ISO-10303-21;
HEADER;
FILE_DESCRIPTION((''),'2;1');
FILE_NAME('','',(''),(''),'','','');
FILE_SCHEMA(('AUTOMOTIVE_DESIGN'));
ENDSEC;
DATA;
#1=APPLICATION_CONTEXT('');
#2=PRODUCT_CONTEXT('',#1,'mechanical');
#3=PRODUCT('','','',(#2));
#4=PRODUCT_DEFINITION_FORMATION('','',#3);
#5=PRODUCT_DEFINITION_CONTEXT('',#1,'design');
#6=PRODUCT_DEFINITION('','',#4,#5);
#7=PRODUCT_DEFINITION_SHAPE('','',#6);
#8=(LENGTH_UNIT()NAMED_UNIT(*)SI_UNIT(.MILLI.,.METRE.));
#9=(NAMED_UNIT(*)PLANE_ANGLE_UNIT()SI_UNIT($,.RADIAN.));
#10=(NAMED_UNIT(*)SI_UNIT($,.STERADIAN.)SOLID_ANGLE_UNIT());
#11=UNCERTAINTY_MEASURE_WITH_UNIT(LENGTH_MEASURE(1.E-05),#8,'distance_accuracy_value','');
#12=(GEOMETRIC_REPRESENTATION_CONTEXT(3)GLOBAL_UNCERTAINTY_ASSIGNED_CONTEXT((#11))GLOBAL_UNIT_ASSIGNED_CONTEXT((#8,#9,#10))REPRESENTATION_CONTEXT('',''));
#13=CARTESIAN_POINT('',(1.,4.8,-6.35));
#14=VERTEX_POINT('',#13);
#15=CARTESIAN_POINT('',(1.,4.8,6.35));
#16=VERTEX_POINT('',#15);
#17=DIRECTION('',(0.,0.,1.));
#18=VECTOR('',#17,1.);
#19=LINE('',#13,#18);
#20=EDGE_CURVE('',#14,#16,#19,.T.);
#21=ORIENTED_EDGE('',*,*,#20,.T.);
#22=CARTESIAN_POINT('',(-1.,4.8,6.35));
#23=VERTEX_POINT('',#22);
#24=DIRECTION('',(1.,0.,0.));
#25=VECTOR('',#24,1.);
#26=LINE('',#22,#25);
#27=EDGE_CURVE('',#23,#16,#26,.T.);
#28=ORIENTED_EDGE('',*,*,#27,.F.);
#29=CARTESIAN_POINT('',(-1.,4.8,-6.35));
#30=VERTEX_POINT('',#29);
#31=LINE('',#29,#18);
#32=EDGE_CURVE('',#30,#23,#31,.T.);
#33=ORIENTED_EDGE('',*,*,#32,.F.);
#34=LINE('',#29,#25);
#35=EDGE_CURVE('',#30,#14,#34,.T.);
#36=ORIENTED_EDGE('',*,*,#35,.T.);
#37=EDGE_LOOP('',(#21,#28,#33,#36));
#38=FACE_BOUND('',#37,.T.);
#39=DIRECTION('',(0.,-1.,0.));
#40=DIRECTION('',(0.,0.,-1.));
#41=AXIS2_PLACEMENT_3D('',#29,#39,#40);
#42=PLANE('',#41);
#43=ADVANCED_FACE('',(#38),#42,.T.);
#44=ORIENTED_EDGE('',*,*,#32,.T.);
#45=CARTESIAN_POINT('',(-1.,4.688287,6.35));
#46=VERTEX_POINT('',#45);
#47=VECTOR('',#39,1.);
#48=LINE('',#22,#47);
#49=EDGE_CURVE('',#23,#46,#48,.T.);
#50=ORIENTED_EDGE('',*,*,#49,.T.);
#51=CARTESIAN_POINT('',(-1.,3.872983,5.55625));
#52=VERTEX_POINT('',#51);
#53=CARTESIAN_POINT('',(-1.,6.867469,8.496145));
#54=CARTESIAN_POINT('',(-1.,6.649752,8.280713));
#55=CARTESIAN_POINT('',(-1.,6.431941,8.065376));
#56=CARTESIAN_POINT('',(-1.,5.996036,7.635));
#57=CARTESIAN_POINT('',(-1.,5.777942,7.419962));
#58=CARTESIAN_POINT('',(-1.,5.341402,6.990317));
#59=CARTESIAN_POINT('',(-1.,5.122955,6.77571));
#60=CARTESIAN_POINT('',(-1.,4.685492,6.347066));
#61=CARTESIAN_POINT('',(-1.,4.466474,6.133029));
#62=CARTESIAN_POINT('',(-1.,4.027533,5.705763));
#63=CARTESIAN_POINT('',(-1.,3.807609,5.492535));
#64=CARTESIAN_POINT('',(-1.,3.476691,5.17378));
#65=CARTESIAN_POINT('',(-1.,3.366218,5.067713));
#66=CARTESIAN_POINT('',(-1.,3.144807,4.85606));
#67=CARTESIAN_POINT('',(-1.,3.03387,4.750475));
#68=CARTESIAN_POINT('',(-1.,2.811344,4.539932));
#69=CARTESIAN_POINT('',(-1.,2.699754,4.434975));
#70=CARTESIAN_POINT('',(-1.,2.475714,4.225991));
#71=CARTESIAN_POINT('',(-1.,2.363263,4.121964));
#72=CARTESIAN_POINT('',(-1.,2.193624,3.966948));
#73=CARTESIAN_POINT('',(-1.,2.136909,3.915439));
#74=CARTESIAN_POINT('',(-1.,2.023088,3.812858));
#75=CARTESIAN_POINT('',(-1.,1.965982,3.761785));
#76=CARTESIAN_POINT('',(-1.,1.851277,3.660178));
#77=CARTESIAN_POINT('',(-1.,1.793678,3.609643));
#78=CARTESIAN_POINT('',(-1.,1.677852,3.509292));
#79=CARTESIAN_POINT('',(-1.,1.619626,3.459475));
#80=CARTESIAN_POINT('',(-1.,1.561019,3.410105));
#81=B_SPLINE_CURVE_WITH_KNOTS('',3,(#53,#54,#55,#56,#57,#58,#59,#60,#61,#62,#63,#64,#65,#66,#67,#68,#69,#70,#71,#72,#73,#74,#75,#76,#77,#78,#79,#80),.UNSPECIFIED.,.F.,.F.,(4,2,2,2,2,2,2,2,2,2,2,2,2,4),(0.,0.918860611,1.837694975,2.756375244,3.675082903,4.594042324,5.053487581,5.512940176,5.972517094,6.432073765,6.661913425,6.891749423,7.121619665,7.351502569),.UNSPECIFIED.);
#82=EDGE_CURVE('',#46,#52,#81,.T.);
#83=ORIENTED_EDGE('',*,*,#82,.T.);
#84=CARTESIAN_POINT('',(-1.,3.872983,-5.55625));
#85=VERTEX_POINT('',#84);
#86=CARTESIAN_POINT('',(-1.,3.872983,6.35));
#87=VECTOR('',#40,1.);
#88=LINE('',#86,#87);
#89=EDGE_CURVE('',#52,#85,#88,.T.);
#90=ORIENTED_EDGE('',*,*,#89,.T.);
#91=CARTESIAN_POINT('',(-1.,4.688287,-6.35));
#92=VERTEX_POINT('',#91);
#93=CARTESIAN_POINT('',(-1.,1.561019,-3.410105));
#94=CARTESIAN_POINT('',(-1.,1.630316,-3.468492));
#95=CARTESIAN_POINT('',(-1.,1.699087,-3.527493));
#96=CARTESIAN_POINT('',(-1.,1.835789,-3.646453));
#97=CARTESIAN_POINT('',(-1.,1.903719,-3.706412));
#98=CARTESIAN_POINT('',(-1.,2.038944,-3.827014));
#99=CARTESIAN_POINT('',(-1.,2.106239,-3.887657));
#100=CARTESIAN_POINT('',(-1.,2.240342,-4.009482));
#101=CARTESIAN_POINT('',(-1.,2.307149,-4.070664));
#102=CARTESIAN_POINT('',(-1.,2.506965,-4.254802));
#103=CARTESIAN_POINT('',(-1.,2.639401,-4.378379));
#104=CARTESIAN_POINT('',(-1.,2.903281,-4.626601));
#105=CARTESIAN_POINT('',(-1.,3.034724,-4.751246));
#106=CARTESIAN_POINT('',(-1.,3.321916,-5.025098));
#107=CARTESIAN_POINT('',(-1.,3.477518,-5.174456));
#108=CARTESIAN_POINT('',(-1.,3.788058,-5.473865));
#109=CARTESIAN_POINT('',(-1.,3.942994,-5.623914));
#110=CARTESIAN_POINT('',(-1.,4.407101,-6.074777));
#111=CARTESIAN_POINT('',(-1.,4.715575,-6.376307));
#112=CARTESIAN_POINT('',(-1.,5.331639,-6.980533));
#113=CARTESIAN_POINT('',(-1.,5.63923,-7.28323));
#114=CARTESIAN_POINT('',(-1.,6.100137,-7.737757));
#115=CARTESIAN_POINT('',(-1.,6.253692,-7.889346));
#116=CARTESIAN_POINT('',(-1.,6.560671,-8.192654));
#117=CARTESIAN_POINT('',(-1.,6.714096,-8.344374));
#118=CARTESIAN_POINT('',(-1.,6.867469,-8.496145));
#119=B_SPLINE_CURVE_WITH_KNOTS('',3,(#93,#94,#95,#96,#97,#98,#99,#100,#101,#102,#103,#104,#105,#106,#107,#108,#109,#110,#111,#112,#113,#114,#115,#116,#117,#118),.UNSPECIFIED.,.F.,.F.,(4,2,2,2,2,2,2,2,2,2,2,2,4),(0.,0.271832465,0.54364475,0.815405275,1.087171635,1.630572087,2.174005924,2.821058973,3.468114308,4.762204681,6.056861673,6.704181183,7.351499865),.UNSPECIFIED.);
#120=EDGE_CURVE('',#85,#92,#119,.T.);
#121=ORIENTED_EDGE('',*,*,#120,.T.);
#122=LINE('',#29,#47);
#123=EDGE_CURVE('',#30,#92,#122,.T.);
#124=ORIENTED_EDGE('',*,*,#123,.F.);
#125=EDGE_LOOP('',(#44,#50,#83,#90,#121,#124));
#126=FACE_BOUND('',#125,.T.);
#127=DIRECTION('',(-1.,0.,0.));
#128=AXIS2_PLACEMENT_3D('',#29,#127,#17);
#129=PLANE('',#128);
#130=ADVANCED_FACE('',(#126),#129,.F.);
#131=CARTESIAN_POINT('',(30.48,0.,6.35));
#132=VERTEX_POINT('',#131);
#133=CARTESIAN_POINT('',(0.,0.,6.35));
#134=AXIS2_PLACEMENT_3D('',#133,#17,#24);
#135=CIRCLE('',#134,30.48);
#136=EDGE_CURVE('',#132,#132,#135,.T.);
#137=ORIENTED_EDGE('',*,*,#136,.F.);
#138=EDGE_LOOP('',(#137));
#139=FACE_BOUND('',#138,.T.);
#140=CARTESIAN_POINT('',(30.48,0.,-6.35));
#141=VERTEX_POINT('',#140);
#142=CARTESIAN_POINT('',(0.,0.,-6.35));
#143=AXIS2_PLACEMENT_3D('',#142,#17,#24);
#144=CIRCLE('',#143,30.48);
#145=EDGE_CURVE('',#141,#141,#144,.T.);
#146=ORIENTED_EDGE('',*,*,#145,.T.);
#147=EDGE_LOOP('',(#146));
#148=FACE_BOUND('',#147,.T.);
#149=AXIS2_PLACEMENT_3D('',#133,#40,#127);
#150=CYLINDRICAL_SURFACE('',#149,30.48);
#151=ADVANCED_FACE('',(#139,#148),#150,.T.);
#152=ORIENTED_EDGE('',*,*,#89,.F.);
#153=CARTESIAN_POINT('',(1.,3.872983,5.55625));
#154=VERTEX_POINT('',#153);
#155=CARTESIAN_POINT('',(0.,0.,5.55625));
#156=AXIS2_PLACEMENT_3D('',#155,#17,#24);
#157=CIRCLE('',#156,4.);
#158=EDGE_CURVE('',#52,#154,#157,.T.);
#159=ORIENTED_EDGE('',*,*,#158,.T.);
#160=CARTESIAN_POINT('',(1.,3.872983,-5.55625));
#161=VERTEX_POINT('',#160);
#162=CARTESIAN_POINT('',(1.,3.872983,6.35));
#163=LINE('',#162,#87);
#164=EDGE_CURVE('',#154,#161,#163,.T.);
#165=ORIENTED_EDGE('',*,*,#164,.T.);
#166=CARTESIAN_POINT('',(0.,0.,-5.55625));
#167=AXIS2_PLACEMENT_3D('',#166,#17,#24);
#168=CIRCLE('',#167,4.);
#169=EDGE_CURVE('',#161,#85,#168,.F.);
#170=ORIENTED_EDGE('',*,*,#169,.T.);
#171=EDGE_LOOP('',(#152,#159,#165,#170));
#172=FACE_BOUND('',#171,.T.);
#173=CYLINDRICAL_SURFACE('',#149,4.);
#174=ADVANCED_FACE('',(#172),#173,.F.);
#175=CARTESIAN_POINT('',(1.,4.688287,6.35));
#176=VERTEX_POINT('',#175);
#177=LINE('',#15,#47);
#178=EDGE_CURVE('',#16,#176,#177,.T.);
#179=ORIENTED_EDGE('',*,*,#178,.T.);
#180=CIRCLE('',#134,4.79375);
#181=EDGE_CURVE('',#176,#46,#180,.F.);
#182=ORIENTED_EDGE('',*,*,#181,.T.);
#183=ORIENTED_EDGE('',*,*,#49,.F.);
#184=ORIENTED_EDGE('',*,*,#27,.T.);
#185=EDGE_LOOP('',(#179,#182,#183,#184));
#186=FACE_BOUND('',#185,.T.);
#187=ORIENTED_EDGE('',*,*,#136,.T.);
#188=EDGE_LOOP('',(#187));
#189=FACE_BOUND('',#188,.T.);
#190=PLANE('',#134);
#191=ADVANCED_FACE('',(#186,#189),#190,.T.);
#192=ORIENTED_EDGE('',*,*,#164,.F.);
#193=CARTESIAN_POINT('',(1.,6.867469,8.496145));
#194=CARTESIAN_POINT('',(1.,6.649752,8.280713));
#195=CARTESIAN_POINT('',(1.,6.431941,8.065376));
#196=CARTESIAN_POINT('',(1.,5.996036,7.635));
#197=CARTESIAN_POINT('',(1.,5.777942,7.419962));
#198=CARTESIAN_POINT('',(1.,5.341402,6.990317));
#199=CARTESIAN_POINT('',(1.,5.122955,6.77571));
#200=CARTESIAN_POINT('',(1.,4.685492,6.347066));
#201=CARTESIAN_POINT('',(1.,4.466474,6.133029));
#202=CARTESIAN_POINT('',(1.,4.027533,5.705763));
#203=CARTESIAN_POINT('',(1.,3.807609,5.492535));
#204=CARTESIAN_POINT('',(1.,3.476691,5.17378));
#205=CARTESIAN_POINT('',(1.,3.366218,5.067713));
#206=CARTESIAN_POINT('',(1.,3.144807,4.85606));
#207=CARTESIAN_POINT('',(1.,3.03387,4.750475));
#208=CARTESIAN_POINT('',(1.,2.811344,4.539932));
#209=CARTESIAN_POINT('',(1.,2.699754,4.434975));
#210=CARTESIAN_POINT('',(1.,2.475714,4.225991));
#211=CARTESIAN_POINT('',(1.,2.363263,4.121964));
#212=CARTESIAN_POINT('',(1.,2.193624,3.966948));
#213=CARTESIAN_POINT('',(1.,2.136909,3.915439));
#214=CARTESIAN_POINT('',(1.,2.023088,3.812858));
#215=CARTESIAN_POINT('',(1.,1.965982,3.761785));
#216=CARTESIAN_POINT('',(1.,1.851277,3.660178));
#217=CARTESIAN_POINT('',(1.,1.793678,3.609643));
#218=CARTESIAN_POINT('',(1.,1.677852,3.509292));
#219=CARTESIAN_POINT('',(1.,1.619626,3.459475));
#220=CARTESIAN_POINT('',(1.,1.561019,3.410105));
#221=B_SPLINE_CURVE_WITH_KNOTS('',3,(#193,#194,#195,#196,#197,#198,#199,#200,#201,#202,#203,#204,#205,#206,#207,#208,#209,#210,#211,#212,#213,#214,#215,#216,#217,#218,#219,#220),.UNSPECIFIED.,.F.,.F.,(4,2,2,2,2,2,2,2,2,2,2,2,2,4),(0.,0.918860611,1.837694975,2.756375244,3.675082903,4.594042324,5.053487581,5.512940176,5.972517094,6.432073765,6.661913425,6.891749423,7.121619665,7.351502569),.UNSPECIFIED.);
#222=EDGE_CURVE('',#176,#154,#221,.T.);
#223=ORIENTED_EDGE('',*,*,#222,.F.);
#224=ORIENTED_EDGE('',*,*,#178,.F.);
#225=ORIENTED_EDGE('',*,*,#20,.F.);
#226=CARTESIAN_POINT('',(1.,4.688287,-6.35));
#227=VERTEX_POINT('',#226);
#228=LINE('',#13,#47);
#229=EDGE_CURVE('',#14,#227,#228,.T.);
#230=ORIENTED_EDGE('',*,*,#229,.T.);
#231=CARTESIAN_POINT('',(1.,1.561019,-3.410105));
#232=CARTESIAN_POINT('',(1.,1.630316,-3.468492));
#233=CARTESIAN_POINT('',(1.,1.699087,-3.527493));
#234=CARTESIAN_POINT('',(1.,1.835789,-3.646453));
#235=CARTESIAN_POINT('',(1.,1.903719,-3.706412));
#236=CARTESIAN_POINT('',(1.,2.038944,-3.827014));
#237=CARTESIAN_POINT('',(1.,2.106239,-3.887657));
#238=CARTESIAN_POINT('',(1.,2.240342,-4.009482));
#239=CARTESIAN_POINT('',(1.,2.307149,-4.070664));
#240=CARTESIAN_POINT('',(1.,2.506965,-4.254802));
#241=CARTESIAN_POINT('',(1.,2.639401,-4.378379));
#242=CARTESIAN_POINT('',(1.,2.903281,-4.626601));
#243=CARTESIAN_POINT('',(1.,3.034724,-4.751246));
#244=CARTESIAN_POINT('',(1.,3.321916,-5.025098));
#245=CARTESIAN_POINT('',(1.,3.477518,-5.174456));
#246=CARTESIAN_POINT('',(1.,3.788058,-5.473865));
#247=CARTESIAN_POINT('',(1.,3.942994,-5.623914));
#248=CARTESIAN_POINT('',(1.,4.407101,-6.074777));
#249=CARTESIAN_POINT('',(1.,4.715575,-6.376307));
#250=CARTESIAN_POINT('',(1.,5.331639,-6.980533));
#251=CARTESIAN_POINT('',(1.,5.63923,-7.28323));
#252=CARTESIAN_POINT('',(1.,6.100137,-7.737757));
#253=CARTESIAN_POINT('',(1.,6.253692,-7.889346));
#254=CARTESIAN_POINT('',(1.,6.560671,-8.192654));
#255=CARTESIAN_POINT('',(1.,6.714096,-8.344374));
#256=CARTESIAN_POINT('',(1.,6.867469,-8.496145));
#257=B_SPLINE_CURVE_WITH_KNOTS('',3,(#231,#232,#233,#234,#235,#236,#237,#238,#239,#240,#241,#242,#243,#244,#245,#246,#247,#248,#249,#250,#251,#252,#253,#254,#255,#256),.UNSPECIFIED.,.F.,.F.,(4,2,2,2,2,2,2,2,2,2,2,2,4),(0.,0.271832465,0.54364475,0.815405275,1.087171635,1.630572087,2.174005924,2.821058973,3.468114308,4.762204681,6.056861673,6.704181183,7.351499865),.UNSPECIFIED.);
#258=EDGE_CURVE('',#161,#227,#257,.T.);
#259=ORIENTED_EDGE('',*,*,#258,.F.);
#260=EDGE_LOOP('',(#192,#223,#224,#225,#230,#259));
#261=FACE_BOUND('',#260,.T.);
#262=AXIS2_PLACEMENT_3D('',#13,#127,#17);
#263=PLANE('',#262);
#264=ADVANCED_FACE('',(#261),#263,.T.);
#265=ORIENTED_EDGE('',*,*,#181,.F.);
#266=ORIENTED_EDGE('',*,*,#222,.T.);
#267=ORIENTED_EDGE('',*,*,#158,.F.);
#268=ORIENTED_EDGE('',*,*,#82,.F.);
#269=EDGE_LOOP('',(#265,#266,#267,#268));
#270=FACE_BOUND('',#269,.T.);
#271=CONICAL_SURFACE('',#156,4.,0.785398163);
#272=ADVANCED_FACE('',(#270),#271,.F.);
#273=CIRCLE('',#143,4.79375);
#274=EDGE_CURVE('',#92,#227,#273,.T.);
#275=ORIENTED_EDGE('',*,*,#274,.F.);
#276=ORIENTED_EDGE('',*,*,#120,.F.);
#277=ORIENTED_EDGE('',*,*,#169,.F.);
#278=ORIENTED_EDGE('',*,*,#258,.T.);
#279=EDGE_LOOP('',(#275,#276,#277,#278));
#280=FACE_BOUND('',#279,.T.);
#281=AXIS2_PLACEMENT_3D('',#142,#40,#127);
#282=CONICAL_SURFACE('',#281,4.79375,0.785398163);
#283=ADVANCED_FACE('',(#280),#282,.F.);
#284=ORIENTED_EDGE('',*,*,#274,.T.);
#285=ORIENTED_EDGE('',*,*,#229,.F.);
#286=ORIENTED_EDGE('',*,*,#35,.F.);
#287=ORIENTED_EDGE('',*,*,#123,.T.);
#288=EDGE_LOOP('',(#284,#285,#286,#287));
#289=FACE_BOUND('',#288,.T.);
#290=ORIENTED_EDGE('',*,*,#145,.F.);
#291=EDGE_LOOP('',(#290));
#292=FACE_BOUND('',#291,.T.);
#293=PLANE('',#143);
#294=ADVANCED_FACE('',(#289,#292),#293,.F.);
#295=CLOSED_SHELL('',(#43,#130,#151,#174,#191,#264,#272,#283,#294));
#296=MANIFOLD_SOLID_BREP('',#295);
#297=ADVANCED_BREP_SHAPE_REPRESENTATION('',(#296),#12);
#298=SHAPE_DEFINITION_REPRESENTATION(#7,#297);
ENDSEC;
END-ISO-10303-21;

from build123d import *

# Parameters (mm, degrees)
SKETCH1_R          = 30.48
SKETCH1_R_2        = 4
EXTRUDE1_DEPTH     = 6.35
CHAMFER1_SIZE      = 0.79375
SKETCH3_W          = 2
SKETCH3_H          = 2
CUT_EXTRUDE1_DEPTH = 45.937187273


with BuildPart() as part:
    # Sketch1 → Extrude1 (new, symmetric)
    with BuildSketch(Plane.XY):
        Circle(SKETCH1_R)
        Circle(SKETCH1_R_2, mode=Mode.SUBTRACT)
    extrude(amount=EXTRUDE1_DEPTH, both=True)

    # Chamfer1
    chamfer1_edges = [part.edges().sort_by_distance(p)[0] for p in [
        (-4, 0, -6.35),
        (-4, 0, 6.35),
    ]]
    chamfer(chamfer1_edges, length=CHAMFER1_SIZE)

    # Sketch3 → Cut-Extrude1 (cut, through all)
    with BuildSketch(Plane.XY.offset(6.35)):
        with Locations((0, 3.8)):
            Rectangle(SKETCH3_W, SKETCH3_H)
    extrude(amount=-CUT_EXTRUDE1_DEPTH, mode=Mode.SUBTRACT)


solid = part.part
